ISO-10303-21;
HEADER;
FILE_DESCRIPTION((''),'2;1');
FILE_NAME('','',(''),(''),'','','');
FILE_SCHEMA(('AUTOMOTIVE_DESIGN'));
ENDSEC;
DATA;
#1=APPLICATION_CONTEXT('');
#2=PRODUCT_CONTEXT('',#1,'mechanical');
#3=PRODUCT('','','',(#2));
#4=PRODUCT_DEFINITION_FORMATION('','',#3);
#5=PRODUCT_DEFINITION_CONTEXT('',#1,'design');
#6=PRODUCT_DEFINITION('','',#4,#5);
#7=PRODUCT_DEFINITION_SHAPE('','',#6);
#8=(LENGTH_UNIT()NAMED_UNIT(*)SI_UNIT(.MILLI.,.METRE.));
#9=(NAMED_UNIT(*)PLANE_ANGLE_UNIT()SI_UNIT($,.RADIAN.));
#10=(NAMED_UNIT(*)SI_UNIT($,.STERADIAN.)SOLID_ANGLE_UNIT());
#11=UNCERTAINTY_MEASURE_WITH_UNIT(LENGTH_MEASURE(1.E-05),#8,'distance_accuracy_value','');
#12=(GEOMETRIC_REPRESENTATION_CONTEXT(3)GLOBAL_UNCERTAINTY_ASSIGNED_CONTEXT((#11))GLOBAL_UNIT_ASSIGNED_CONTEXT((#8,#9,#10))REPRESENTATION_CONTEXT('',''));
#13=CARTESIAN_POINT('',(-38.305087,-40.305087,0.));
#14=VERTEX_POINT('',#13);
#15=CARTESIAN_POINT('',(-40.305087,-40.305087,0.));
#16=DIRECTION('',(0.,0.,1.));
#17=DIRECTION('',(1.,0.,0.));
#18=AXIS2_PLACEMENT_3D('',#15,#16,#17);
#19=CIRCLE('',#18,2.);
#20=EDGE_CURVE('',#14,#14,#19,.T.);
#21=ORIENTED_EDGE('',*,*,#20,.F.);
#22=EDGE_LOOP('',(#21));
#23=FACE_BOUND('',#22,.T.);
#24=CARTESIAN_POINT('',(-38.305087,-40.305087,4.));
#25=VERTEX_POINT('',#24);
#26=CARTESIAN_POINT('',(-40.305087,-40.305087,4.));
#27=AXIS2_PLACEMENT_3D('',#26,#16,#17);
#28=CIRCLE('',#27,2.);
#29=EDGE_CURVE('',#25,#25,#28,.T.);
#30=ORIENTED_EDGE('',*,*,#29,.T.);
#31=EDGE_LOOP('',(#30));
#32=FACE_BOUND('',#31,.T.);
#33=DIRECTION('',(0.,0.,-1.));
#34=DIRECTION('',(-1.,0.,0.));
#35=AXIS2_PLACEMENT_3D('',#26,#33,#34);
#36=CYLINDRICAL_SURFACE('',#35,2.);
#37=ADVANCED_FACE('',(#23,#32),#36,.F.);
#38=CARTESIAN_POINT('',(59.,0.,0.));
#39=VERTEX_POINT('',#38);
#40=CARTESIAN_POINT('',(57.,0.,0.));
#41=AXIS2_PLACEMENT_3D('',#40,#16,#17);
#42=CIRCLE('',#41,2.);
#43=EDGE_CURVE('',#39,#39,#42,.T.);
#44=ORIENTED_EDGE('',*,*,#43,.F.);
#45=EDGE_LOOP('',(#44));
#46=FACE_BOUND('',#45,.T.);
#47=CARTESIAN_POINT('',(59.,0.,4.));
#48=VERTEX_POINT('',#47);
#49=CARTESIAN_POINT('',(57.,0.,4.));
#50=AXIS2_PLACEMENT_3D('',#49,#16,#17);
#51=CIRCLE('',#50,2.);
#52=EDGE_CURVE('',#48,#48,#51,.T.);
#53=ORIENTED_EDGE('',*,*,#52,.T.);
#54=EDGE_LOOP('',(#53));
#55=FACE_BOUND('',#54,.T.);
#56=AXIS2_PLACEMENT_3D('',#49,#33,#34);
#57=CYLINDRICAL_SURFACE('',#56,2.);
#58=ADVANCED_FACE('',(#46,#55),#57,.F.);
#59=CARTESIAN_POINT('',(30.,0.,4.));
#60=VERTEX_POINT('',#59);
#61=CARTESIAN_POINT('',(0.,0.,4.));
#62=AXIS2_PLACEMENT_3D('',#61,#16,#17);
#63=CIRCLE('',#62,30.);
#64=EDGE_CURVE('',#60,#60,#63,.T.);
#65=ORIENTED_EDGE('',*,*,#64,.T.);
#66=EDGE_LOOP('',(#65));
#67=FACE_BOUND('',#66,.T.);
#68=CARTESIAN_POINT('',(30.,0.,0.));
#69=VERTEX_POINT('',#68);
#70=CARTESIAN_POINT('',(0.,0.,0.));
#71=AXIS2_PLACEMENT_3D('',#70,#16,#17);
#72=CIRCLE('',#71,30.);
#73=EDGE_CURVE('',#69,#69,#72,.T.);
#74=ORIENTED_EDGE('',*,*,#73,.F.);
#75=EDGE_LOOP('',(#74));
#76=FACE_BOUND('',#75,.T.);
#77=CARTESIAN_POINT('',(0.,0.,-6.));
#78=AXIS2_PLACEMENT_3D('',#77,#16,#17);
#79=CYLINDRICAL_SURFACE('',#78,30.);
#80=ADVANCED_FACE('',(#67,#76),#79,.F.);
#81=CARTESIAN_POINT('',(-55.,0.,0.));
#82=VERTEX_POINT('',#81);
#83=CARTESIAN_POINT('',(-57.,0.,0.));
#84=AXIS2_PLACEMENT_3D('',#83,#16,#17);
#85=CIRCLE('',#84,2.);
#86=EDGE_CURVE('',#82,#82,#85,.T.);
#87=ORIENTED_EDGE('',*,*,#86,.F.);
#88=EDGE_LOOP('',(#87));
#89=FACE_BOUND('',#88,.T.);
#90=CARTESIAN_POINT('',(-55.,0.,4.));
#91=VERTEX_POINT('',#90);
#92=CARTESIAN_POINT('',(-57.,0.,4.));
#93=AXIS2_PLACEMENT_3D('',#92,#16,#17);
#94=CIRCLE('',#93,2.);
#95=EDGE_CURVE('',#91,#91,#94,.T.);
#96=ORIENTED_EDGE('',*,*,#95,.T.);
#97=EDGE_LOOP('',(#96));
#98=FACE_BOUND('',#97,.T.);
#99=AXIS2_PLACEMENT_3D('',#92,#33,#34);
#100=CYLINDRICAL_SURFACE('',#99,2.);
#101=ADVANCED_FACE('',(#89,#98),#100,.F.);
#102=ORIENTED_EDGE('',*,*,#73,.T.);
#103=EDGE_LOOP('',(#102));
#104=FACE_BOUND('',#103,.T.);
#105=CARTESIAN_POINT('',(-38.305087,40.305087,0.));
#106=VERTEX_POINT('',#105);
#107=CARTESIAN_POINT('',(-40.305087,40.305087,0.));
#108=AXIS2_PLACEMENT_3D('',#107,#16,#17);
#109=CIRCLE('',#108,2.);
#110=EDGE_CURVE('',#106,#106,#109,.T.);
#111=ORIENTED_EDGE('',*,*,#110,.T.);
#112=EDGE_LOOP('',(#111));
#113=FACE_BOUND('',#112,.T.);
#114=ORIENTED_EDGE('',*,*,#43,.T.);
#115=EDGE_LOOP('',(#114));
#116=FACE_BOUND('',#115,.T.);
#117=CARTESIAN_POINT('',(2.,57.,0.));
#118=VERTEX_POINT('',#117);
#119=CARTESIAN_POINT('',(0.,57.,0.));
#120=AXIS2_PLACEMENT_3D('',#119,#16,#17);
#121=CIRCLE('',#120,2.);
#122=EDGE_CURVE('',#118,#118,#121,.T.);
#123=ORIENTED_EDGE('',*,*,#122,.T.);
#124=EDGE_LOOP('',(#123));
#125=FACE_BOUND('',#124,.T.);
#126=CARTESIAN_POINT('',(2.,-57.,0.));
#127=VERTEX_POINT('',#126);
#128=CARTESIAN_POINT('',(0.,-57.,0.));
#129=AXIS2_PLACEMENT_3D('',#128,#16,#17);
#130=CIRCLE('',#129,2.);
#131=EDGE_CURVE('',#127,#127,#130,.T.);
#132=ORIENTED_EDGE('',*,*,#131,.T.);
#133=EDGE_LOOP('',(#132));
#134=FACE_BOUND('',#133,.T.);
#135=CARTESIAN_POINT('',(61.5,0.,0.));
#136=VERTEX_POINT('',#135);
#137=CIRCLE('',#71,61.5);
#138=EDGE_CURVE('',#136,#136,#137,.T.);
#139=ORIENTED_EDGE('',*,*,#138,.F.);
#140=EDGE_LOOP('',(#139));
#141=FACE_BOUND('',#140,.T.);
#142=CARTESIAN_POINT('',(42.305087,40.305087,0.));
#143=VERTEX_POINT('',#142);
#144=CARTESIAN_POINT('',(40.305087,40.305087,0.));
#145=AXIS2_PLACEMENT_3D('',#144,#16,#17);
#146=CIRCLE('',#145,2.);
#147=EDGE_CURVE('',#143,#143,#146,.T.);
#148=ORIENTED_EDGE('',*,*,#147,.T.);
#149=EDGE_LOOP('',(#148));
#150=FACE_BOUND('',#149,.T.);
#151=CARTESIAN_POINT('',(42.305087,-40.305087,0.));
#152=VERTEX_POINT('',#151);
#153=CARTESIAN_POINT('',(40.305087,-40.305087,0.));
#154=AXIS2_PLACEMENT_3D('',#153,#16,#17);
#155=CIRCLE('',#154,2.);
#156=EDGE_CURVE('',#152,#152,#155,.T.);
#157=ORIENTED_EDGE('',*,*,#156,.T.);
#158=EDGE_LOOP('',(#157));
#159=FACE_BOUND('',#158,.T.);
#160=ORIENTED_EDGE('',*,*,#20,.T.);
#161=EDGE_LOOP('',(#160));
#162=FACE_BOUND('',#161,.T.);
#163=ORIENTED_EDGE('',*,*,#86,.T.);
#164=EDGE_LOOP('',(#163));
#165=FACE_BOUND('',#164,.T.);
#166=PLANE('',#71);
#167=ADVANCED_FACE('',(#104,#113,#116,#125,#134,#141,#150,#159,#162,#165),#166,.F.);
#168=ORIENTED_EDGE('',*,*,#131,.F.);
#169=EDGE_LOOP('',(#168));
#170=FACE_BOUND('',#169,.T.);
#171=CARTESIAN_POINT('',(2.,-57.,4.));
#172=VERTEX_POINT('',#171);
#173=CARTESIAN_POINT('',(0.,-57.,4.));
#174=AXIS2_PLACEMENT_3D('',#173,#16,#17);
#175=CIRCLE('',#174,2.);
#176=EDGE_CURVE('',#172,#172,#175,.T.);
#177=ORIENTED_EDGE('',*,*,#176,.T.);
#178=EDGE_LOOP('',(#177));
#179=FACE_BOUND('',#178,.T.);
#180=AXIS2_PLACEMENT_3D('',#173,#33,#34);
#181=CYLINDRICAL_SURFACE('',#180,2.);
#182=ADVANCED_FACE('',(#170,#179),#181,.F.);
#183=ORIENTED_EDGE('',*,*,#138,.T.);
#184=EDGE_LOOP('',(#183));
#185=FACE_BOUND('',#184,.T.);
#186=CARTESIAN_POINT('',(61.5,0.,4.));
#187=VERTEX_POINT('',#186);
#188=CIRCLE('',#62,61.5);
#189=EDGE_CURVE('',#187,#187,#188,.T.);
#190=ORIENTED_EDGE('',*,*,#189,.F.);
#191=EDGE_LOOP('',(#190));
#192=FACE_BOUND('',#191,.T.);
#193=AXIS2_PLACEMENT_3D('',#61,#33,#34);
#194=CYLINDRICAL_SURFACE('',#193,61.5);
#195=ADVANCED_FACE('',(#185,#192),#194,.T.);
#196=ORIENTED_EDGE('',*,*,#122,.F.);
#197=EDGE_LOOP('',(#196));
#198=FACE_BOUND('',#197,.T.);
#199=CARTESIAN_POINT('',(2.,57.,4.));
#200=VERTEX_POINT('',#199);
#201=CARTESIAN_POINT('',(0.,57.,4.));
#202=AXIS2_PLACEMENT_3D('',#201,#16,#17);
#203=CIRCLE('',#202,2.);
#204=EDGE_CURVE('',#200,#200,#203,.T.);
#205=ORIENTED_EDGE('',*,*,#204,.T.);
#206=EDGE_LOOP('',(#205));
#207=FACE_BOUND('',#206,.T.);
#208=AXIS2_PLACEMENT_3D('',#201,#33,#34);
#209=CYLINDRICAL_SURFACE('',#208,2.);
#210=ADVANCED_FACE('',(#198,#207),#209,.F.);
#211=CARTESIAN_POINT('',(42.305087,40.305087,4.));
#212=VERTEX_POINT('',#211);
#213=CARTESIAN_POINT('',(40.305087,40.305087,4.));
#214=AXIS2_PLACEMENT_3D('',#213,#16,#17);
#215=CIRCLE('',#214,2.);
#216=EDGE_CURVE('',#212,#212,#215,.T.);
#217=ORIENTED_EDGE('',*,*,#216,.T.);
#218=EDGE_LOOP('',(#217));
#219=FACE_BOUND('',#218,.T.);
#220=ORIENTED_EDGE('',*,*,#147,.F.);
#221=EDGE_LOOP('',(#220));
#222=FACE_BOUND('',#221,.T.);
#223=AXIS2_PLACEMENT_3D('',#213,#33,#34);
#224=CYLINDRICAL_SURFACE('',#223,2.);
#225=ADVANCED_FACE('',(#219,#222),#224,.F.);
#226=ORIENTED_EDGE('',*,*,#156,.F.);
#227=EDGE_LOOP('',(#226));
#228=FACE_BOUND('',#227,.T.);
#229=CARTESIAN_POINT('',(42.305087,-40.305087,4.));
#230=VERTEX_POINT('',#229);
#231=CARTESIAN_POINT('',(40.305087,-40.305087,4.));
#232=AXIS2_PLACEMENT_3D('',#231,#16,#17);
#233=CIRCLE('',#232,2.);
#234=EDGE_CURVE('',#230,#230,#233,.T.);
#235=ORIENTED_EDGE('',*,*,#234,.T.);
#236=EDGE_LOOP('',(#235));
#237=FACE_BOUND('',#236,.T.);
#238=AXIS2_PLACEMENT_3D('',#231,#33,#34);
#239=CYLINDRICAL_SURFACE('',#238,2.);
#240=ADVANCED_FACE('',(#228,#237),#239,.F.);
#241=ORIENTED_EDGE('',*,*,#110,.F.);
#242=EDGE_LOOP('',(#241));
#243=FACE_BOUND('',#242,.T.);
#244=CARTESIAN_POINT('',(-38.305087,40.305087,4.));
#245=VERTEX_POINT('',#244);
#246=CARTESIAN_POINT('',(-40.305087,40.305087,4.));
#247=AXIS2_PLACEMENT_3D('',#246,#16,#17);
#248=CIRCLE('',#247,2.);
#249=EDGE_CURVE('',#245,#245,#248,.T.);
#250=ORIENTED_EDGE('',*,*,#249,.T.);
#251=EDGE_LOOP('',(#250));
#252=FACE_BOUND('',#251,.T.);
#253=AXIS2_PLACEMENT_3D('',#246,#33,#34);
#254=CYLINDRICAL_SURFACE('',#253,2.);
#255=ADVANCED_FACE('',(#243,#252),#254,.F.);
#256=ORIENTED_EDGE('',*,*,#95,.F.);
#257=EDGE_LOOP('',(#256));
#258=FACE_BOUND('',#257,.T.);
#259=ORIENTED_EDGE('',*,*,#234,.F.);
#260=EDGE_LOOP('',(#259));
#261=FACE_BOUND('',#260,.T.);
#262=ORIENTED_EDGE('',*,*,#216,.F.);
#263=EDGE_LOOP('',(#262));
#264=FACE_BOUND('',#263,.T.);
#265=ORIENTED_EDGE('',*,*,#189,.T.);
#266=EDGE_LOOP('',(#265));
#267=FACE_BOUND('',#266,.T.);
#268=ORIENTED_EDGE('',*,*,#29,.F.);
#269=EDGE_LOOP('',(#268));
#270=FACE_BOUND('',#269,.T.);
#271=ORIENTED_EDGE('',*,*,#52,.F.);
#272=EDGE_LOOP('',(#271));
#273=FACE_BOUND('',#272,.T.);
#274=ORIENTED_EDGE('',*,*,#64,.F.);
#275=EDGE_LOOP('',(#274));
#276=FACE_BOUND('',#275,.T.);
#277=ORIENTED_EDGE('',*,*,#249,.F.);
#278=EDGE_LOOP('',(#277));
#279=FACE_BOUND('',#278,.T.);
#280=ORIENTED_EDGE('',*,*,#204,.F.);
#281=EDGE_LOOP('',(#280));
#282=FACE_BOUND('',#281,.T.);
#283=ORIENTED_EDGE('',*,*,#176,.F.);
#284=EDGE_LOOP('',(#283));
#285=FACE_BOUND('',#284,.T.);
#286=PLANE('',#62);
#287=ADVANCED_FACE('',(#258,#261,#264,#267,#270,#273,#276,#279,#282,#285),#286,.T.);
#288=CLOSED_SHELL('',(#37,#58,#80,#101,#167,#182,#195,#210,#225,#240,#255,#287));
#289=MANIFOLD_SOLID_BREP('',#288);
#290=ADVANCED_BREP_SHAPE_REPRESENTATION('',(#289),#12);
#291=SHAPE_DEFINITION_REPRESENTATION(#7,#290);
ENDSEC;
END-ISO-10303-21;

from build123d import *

# Parameters (mm, degrees)
SKETCH_1_R          = 61.5
SKETCH_1_R_2        = 2
SKETCH_1_R_3        = 2.6
SKETCH_1_R_4        = 15.5
EXTRUDE_1_DEPTH     = 4
SKETCH_2_R          = 30
CUT_EXTRUDE_1_DEPTH = 10


with BuildPart() as part:
    # 草图1 → 凸台-拉伸1 (new body)
    with BuildSketch(Plane.XY):
        Circle(SKETCH_1_R)
        with Locations((0, -57)):
            Circle(SKETCH_1_R_2, mode=Mode.SUBTRACT)
        with Locations((-40.305086528, -40.305086528)):
            Circle(SKETCH_1_R_2, mode=Mode.SUBTRACT)
        with Locations((-57, 0)):
            Circle(SKETCH_1_R_2, mode=Mode.SUBTRACT)
        with Locations((-40.305086528, 40.305086528)):
            Circle(SKETCH_1_R_2, mode=Mode.SUBTRACT)
        with Locations((0, -23.75)):
            Circle(SKETCH_1_R_3, mode=Mode.SUBTRACT)
        with Locations((-20.56810334, 11.875)):
            Circle(SKETCH_1_R_3, mode=Mode.SUBTRACT)
        with Locations((20.56810334, 11.875)):
            Circle(SKETCH_1_R_3, mode=Mode.SUBTRACT)
        with Locations((19.485571585, -11.25)):
            Circle(SKETCH_1_R_3, mode=Mode.SUBTRACT)
        with Locations((-19.485571585, -11.25)):
            Circle(SKETCH_1_R_3, mode=Mode.SUBTRACT)
        with Locations((0, 22.5)):
            Circle(SKETCH_1_R_3, mode=Mode.SUBTRACT)
        Circle(SKETCH_1_R_4, mode=Mode.SUBTRACT)
        with Locations((0, 57)):
            Circle(SKETCH_1_R_2, mode=Mode.SUBTRACT)
        with Locations((40.305086528, 40.305086528)):
            Circle(SKETCH_1_R_2, mode=Mode.SUBTRACT)
        with Locations((57, 0)):
            Circle(SKETCH_1_R_2, mode=Mode.SUBTRACT)
        with Locations((40.305086528, -40.305086528)):
            Circle(SKETCH_1_R_2, mode=Mode.SUBTRACT)
    extrude(amount=EXTRUDE_1_DEPTH)

    # 草图2 → 切除-拉伸1 (cut)
    with BuildSketch(Plane.XY.offset(4)):
        Circle(SKETCH_2_R)
    extrude(amount=-CUT_EXTRUDE_1_DEPTH, mode=Mode.SUBTRACT)


solid = part.part
